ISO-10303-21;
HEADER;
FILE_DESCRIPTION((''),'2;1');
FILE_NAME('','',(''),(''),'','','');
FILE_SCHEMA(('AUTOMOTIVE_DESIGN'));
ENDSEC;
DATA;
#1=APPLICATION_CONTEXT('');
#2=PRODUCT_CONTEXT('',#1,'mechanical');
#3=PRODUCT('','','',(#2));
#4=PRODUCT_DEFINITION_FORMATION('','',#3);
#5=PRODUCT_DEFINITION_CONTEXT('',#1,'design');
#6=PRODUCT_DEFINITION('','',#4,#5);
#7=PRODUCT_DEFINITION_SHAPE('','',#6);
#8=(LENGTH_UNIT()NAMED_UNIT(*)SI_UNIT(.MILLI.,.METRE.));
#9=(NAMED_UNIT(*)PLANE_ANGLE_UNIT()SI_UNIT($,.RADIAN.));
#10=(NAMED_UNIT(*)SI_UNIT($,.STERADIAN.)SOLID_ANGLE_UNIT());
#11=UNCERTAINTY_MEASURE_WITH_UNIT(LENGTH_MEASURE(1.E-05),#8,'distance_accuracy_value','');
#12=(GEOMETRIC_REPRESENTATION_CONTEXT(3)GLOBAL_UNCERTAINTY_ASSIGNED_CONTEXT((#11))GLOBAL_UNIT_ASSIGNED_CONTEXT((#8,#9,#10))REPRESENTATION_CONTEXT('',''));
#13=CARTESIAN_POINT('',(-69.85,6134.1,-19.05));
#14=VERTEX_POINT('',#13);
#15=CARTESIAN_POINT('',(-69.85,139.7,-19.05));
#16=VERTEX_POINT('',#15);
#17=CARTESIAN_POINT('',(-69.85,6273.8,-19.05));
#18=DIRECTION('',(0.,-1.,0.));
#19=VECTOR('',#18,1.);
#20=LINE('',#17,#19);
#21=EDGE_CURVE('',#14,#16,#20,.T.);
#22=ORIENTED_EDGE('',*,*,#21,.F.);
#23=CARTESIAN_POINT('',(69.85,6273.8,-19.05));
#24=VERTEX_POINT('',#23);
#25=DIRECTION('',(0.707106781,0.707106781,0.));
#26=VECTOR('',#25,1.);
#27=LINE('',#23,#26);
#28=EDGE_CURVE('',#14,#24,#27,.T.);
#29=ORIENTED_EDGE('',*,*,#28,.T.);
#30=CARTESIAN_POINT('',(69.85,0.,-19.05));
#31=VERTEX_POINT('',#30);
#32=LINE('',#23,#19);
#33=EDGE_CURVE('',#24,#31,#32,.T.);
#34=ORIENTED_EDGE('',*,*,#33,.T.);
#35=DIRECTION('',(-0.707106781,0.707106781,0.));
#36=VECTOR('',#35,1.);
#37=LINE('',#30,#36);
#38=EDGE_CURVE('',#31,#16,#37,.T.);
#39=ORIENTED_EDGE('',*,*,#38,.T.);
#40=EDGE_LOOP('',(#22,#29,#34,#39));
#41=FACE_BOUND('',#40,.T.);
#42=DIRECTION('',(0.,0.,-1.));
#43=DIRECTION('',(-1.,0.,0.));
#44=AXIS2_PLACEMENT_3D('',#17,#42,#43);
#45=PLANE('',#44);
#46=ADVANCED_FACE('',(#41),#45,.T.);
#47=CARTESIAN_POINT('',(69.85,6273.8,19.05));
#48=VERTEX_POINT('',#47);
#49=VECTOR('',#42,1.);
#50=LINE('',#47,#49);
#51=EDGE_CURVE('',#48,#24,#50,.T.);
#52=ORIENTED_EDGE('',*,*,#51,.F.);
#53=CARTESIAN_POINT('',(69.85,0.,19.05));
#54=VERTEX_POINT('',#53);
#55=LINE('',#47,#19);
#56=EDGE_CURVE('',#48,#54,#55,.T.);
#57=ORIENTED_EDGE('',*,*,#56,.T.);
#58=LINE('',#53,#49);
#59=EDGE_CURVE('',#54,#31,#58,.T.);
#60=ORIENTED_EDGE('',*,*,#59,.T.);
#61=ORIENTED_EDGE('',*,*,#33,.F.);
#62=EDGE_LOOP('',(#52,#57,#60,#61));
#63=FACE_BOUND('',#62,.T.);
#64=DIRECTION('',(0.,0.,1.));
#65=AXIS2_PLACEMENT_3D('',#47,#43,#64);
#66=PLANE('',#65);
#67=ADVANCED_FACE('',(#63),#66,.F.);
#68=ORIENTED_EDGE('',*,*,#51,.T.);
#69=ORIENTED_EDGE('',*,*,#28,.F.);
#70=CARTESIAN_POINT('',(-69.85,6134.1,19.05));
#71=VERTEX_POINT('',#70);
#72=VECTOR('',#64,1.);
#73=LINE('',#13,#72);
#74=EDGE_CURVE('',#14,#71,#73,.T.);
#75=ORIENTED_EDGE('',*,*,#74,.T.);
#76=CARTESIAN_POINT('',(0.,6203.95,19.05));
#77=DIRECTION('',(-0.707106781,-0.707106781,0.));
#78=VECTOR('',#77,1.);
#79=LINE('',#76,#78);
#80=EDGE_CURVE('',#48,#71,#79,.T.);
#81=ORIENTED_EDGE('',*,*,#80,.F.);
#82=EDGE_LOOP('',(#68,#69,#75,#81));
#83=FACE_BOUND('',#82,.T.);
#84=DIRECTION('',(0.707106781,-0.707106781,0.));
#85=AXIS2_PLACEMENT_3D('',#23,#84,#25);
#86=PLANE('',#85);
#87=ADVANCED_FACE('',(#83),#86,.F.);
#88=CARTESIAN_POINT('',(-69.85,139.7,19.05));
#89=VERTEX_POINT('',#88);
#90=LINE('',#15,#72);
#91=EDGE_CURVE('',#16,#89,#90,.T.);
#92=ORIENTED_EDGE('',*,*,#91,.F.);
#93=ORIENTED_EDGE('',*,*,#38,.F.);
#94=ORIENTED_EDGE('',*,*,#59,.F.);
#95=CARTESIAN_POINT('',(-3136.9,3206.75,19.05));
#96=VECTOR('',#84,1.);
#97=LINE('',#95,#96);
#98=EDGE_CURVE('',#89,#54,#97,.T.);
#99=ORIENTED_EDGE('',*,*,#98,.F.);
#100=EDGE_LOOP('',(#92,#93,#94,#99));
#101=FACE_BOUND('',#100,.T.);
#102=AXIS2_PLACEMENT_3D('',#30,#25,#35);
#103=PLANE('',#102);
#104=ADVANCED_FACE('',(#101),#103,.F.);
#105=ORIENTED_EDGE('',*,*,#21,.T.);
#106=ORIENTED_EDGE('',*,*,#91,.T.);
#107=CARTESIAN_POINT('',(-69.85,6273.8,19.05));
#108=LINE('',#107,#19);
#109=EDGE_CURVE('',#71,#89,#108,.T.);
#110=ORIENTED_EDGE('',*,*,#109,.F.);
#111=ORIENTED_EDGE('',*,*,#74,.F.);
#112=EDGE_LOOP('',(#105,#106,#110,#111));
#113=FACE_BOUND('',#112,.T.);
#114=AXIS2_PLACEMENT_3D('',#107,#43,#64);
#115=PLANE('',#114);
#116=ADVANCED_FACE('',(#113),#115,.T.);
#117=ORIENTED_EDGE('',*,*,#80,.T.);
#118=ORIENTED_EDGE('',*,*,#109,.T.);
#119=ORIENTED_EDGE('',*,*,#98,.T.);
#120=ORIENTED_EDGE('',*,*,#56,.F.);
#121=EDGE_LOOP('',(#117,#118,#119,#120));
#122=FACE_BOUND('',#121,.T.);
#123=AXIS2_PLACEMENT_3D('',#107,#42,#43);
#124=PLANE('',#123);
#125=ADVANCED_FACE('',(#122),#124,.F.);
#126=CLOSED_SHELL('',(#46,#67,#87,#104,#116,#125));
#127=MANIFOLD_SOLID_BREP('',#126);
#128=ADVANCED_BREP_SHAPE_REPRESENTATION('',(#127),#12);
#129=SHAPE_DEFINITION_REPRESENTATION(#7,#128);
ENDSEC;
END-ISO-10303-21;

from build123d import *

# Parameters (mm, degrees)
SKETCH1_W               = 139.7
SKETCH1_H               = 38.1
BOSS_EXTRUDE1_DEPTH     = 6273.8
CUT_EXTRUDE1_DEPTH      = 6275.304509067
CUT_EXTRUDE1_DEPTH_BACK = 6275.304509067


with BuildPart() as part:
    # Sketch1 → Boss-Extrude1 (new body)
    with BuildSketch(Plane(origin=(0, 0, 0), x_dir=(1, 0, 0), z_dir=(0, 1, 0))):
        Rectangle(SKETCH1_W, SKETCH1_H)
    extrude(amount=BOSS_EXTRUDE1_DEPTH)

    # Sketch2 → Cut-Extrude1 (cut, two sides: drawn at the far end of the back side and taken through both)
    with BuildSketch(Plane.XY.offset(19.05).offset(-CUT_EXTRUDE1_DEPTH_BACK)):
        Polygon((69.85, 6273.8), (-69.85, 6134.1), (-69.85, 6273.8), align=None)
        Polygon((69.85, 0), (-69.85, 139.7), (-69.85, 0), align=None)
    extrude(amount=CUT_EXTRUDE1_DEPTH + CUT_EXTRUDE1_DEPTH_BACK, mode=Mode.SUBTRACT)


solid = part.part
